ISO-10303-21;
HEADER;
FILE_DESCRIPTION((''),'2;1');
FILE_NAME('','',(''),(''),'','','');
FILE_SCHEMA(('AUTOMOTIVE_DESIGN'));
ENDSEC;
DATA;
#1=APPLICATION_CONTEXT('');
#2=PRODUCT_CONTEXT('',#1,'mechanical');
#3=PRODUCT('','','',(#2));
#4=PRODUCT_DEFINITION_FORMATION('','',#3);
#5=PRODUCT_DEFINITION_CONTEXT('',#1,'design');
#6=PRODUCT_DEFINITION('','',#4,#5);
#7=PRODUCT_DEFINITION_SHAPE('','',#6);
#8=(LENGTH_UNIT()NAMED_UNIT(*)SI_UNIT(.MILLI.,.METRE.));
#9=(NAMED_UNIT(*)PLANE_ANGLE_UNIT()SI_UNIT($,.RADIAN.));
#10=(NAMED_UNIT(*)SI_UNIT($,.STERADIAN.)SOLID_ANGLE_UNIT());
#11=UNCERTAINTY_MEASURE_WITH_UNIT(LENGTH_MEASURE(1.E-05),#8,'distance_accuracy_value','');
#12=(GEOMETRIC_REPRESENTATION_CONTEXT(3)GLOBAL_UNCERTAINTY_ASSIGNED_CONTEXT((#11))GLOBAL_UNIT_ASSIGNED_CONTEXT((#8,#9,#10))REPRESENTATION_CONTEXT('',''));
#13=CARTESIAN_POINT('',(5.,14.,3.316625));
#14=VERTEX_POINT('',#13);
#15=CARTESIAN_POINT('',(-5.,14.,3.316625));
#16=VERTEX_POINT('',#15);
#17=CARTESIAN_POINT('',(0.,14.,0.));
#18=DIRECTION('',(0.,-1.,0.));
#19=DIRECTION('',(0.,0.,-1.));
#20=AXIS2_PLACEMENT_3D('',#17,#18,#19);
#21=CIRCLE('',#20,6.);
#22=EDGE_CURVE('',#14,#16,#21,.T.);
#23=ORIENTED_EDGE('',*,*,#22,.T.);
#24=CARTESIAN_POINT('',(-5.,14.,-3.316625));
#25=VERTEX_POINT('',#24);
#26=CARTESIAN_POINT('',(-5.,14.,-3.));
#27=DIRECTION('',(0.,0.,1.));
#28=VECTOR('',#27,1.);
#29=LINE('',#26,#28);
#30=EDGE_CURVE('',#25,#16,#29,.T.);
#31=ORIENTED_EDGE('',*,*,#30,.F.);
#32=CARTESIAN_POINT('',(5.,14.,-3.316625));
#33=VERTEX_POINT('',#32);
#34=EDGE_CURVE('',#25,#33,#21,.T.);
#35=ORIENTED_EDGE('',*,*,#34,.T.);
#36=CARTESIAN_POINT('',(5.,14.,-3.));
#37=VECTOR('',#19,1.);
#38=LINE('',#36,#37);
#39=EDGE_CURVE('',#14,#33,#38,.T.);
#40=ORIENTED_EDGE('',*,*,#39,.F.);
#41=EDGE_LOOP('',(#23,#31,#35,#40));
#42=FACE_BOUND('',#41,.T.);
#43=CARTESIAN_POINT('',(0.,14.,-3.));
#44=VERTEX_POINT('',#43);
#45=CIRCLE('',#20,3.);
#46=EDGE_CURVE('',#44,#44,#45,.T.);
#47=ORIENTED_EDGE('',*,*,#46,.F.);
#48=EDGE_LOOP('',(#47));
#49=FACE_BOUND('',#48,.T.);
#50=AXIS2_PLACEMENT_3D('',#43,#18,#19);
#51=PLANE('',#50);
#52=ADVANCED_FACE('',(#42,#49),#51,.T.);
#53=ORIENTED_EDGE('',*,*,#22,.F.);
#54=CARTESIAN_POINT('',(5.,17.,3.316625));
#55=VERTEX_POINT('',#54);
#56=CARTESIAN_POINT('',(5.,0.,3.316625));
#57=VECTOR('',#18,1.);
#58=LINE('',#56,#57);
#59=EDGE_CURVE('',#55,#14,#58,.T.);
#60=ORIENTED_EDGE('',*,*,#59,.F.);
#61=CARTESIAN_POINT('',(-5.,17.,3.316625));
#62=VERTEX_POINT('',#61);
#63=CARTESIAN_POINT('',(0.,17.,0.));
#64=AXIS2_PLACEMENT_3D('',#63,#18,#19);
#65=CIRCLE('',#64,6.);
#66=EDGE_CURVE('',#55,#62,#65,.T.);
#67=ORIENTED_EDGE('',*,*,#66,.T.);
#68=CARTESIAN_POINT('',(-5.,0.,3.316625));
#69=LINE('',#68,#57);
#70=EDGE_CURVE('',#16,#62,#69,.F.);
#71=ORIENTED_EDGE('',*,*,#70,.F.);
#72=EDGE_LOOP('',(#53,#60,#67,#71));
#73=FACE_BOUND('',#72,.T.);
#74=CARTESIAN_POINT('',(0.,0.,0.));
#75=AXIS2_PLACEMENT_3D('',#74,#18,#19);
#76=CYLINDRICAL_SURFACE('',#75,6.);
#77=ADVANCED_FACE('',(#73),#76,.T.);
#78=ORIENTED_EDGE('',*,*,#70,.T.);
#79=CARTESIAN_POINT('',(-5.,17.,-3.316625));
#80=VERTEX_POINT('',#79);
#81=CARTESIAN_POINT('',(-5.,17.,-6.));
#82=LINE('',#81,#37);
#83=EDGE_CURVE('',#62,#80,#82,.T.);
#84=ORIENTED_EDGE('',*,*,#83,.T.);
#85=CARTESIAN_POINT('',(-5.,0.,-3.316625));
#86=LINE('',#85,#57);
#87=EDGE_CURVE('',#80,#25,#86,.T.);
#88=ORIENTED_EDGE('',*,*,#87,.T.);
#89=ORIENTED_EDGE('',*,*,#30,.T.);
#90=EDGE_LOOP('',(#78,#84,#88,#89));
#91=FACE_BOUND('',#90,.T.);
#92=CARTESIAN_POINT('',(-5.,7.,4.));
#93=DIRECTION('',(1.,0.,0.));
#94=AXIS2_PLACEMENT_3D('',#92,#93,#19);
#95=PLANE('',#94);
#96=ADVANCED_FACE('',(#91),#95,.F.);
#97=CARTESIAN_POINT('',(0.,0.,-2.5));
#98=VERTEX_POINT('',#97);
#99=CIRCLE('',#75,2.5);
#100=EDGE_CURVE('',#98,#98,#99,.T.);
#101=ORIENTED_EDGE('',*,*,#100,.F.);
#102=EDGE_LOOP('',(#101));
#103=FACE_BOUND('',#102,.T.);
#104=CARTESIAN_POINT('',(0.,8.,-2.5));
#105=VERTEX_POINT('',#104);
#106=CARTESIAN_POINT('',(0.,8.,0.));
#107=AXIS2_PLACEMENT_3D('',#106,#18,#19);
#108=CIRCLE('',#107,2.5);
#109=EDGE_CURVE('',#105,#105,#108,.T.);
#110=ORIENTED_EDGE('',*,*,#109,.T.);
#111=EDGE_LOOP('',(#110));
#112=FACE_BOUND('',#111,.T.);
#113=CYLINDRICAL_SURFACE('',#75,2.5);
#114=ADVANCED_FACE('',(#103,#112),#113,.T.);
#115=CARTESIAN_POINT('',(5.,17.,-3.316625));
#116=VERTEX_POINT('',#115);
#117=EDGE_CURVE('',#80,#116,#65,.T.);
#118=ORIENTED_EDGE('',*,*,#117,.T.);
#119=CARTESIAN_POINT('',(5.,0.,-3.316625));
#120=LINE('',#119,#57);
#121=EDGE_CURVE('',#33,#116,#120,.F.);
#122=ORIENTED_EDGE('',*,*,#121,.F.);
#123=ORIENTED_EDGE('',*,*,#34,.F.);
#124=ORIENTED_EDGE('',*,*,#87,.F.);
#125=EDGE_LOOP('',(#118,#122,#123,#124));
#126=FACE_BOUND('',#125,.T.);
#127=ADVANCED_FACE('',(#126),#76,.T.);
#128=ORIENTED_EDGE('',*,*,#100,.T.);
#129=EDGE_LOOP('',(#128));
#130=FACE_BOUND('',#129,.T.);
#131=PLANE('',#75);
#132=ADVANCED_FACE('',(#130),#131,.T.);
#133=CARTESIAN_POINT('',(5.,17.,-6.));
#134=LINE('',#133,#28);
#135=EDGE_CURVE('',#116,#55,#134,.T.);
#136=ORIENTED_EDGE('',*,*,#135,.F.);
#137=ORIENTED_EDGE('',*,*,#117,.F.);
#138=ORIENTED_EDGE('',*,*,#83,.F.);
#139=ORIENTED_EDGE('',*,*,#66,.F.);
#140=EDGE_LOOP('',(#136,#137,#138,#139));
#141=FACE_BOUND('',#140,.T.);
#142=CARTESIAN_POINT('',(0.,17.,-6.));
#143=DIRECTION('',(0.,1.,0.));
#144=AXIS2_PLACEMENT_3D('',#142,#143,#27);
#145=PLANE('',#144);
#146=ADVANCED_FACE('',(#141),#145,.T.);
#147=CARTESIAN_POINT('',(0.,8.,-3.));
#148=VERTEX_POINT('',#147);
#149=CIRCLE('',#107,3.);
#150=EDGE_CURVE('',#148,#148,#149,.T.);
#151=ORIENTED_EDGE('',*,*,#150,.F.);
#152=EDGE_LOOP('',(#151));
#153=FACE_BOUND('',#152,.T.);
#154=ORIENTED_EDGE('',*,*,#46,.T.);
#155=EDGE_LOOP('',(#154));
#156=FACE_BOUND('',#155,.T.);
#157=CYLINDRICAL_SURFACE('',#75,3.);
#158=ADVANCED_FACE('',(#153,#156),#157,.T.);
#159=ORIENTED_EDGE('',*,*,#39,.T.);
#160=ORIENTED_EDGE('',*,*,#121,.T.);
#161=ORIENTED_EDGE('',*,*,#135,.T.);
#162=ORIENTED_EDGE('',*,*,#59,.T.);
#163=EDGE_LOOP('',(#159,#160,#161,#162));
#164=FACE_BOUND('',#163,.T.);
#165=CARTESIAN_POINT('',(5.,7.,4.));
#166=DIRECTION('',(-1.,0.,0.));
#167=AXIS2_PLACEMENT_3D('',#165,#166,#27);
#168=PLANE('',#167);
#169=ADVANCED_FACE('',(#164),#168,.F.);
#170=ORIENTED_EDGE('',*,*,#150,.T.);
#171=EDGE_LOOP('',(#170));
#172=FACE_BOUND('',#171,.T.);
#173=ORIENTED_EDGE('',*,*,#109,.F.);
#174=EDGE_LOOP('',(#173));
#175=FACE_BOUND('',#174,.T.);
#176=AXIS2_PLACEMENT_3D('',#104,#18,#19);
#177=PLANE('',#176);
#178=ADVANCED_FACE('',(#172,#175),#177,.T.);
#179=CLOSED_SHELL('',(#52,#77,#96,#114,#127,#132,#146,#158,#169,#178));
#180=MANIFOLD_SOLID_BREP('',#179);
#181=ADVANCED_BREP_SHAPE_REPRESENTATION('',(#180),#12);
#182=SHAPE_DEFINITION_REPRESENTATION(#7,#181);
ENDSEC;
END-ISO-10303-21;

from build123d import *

# Parameters (mm, degrees)
SKETCH_2_W          = 2
SKETCH_2_H          = 8
CUT_EXTRUDE_1_DEPTH = 10


with BuildPart() as part:
    # 草图1 → 旋转1 (revolve)
    with BuildSketch(Plane(origin=(0, 0, 0), x_dir=(0, 0, -1), z_dir=(1, 0, 0))):
        Polygon((0, 0), (2.5, 0), (2.5, 8), (3, 8), (3, 14), (6, 14), (6, 17), (0, 17), align=None)
    revolve(axis=Axis((0, 0, 0), (0, 1, 0)))

    # 草图2 → 切除-拉伸1 (cut)
    with BuildSketch(Plane(origin=(0, 17, 0), x_dir=(1, 0, 0), z_dir=(0, 1, 0))):
        with Locations((-6, 0)):
            Rectangle(SKETCH_2_W, SKETCH_2_H)
        with Locations((6, 0)):
            Rectangle(SKETCH_2_W, SKETCH_2_H)
    extrude(amount=-CUT_EXTRUDE_1_DEPTH, mode=Mode.SUBTRACT)


solid = part.part
